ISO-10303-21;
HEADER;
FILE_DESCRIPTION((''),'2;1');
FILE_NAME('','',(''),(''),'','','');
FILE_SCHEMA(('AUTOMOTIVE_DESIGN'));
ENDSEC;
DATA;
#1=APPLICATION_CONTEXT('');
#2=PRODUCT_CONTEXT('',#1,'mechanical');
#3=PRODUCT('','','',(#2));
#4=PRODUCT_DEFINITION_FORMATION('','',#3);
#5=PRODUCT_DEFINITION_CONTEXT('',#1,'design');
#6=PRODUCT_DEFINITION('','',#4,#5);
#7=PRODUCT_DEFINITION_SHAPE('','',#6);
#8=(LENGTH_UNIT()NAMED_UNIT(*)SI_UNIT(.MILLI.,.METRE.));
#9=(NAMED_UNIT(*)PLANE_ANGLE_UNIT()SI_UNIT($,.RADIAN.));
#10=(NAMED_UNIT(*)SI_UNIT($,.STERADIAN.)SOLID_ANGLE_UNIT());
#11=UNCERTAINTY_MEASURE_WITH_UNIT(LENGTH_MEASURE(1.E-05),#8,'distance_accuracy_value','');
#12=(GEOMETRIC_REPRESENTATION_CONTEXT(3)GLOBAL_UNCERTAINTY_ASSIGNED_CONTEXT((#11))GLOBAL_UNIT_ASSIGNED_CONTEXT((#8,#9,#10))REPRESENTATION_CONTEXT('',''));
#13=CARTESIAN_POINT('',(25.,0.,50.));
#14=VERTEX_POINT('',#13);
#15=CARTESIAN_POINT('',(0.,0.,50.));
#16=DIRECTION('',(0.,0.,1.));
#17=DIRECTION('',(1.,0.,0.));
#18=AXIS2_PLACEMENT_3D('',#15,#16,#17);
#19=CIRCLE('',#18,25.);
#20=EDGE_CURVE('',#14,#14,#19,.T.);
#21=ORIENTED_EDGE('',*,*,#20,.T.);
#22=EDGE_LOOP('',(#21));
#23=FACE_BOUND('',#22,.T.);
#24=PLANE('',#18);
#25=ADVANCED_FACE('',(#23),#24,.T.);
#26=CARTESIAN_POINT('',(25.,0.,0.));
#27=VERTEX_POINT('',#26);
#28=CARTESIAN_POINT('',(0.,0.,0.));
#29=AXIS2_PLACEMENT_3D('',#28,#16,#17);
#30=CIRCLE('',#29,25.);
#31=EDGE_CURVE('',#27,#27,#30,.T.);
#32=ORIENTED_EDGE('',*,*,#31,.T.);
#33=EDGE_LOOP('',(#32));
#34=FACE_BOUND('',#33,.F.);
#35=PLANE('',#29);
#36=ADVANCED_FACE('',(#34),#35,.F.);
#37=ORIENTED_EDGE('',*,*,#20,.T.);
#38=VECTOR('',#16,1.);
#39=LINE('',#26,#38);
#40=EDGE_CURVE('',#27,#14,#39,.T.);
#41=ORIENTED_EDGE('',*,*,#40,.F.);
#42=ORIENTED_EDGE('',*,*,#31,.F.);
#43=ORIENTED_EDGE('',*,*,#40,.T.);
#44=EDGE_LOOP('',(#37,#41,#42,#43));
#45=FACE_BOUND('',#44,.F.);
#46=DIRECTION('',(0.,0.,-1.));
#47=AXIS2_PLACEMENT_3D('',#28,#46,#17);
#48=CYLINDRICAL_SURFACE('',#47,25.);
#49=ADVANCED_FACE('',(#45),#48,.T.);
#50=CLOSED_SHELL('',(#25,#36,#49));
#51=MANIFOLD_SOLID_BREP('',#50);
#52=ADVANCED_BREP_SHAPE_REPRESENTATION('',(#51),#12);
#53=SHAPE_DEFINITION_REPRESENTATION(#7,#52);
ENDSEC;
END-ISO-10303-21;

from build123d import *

# Parameters (mm, degrees)
SKETCH_R  = 25
PAD_DEPTH = 50


with BuildPart() as part:
    # Sketch → Pad (new body)
    with BuildSketch(Plane.XY):
        Circle(SKETCH_R)
    extrude(amount=PAD_DEPTH)


solid = part.part
